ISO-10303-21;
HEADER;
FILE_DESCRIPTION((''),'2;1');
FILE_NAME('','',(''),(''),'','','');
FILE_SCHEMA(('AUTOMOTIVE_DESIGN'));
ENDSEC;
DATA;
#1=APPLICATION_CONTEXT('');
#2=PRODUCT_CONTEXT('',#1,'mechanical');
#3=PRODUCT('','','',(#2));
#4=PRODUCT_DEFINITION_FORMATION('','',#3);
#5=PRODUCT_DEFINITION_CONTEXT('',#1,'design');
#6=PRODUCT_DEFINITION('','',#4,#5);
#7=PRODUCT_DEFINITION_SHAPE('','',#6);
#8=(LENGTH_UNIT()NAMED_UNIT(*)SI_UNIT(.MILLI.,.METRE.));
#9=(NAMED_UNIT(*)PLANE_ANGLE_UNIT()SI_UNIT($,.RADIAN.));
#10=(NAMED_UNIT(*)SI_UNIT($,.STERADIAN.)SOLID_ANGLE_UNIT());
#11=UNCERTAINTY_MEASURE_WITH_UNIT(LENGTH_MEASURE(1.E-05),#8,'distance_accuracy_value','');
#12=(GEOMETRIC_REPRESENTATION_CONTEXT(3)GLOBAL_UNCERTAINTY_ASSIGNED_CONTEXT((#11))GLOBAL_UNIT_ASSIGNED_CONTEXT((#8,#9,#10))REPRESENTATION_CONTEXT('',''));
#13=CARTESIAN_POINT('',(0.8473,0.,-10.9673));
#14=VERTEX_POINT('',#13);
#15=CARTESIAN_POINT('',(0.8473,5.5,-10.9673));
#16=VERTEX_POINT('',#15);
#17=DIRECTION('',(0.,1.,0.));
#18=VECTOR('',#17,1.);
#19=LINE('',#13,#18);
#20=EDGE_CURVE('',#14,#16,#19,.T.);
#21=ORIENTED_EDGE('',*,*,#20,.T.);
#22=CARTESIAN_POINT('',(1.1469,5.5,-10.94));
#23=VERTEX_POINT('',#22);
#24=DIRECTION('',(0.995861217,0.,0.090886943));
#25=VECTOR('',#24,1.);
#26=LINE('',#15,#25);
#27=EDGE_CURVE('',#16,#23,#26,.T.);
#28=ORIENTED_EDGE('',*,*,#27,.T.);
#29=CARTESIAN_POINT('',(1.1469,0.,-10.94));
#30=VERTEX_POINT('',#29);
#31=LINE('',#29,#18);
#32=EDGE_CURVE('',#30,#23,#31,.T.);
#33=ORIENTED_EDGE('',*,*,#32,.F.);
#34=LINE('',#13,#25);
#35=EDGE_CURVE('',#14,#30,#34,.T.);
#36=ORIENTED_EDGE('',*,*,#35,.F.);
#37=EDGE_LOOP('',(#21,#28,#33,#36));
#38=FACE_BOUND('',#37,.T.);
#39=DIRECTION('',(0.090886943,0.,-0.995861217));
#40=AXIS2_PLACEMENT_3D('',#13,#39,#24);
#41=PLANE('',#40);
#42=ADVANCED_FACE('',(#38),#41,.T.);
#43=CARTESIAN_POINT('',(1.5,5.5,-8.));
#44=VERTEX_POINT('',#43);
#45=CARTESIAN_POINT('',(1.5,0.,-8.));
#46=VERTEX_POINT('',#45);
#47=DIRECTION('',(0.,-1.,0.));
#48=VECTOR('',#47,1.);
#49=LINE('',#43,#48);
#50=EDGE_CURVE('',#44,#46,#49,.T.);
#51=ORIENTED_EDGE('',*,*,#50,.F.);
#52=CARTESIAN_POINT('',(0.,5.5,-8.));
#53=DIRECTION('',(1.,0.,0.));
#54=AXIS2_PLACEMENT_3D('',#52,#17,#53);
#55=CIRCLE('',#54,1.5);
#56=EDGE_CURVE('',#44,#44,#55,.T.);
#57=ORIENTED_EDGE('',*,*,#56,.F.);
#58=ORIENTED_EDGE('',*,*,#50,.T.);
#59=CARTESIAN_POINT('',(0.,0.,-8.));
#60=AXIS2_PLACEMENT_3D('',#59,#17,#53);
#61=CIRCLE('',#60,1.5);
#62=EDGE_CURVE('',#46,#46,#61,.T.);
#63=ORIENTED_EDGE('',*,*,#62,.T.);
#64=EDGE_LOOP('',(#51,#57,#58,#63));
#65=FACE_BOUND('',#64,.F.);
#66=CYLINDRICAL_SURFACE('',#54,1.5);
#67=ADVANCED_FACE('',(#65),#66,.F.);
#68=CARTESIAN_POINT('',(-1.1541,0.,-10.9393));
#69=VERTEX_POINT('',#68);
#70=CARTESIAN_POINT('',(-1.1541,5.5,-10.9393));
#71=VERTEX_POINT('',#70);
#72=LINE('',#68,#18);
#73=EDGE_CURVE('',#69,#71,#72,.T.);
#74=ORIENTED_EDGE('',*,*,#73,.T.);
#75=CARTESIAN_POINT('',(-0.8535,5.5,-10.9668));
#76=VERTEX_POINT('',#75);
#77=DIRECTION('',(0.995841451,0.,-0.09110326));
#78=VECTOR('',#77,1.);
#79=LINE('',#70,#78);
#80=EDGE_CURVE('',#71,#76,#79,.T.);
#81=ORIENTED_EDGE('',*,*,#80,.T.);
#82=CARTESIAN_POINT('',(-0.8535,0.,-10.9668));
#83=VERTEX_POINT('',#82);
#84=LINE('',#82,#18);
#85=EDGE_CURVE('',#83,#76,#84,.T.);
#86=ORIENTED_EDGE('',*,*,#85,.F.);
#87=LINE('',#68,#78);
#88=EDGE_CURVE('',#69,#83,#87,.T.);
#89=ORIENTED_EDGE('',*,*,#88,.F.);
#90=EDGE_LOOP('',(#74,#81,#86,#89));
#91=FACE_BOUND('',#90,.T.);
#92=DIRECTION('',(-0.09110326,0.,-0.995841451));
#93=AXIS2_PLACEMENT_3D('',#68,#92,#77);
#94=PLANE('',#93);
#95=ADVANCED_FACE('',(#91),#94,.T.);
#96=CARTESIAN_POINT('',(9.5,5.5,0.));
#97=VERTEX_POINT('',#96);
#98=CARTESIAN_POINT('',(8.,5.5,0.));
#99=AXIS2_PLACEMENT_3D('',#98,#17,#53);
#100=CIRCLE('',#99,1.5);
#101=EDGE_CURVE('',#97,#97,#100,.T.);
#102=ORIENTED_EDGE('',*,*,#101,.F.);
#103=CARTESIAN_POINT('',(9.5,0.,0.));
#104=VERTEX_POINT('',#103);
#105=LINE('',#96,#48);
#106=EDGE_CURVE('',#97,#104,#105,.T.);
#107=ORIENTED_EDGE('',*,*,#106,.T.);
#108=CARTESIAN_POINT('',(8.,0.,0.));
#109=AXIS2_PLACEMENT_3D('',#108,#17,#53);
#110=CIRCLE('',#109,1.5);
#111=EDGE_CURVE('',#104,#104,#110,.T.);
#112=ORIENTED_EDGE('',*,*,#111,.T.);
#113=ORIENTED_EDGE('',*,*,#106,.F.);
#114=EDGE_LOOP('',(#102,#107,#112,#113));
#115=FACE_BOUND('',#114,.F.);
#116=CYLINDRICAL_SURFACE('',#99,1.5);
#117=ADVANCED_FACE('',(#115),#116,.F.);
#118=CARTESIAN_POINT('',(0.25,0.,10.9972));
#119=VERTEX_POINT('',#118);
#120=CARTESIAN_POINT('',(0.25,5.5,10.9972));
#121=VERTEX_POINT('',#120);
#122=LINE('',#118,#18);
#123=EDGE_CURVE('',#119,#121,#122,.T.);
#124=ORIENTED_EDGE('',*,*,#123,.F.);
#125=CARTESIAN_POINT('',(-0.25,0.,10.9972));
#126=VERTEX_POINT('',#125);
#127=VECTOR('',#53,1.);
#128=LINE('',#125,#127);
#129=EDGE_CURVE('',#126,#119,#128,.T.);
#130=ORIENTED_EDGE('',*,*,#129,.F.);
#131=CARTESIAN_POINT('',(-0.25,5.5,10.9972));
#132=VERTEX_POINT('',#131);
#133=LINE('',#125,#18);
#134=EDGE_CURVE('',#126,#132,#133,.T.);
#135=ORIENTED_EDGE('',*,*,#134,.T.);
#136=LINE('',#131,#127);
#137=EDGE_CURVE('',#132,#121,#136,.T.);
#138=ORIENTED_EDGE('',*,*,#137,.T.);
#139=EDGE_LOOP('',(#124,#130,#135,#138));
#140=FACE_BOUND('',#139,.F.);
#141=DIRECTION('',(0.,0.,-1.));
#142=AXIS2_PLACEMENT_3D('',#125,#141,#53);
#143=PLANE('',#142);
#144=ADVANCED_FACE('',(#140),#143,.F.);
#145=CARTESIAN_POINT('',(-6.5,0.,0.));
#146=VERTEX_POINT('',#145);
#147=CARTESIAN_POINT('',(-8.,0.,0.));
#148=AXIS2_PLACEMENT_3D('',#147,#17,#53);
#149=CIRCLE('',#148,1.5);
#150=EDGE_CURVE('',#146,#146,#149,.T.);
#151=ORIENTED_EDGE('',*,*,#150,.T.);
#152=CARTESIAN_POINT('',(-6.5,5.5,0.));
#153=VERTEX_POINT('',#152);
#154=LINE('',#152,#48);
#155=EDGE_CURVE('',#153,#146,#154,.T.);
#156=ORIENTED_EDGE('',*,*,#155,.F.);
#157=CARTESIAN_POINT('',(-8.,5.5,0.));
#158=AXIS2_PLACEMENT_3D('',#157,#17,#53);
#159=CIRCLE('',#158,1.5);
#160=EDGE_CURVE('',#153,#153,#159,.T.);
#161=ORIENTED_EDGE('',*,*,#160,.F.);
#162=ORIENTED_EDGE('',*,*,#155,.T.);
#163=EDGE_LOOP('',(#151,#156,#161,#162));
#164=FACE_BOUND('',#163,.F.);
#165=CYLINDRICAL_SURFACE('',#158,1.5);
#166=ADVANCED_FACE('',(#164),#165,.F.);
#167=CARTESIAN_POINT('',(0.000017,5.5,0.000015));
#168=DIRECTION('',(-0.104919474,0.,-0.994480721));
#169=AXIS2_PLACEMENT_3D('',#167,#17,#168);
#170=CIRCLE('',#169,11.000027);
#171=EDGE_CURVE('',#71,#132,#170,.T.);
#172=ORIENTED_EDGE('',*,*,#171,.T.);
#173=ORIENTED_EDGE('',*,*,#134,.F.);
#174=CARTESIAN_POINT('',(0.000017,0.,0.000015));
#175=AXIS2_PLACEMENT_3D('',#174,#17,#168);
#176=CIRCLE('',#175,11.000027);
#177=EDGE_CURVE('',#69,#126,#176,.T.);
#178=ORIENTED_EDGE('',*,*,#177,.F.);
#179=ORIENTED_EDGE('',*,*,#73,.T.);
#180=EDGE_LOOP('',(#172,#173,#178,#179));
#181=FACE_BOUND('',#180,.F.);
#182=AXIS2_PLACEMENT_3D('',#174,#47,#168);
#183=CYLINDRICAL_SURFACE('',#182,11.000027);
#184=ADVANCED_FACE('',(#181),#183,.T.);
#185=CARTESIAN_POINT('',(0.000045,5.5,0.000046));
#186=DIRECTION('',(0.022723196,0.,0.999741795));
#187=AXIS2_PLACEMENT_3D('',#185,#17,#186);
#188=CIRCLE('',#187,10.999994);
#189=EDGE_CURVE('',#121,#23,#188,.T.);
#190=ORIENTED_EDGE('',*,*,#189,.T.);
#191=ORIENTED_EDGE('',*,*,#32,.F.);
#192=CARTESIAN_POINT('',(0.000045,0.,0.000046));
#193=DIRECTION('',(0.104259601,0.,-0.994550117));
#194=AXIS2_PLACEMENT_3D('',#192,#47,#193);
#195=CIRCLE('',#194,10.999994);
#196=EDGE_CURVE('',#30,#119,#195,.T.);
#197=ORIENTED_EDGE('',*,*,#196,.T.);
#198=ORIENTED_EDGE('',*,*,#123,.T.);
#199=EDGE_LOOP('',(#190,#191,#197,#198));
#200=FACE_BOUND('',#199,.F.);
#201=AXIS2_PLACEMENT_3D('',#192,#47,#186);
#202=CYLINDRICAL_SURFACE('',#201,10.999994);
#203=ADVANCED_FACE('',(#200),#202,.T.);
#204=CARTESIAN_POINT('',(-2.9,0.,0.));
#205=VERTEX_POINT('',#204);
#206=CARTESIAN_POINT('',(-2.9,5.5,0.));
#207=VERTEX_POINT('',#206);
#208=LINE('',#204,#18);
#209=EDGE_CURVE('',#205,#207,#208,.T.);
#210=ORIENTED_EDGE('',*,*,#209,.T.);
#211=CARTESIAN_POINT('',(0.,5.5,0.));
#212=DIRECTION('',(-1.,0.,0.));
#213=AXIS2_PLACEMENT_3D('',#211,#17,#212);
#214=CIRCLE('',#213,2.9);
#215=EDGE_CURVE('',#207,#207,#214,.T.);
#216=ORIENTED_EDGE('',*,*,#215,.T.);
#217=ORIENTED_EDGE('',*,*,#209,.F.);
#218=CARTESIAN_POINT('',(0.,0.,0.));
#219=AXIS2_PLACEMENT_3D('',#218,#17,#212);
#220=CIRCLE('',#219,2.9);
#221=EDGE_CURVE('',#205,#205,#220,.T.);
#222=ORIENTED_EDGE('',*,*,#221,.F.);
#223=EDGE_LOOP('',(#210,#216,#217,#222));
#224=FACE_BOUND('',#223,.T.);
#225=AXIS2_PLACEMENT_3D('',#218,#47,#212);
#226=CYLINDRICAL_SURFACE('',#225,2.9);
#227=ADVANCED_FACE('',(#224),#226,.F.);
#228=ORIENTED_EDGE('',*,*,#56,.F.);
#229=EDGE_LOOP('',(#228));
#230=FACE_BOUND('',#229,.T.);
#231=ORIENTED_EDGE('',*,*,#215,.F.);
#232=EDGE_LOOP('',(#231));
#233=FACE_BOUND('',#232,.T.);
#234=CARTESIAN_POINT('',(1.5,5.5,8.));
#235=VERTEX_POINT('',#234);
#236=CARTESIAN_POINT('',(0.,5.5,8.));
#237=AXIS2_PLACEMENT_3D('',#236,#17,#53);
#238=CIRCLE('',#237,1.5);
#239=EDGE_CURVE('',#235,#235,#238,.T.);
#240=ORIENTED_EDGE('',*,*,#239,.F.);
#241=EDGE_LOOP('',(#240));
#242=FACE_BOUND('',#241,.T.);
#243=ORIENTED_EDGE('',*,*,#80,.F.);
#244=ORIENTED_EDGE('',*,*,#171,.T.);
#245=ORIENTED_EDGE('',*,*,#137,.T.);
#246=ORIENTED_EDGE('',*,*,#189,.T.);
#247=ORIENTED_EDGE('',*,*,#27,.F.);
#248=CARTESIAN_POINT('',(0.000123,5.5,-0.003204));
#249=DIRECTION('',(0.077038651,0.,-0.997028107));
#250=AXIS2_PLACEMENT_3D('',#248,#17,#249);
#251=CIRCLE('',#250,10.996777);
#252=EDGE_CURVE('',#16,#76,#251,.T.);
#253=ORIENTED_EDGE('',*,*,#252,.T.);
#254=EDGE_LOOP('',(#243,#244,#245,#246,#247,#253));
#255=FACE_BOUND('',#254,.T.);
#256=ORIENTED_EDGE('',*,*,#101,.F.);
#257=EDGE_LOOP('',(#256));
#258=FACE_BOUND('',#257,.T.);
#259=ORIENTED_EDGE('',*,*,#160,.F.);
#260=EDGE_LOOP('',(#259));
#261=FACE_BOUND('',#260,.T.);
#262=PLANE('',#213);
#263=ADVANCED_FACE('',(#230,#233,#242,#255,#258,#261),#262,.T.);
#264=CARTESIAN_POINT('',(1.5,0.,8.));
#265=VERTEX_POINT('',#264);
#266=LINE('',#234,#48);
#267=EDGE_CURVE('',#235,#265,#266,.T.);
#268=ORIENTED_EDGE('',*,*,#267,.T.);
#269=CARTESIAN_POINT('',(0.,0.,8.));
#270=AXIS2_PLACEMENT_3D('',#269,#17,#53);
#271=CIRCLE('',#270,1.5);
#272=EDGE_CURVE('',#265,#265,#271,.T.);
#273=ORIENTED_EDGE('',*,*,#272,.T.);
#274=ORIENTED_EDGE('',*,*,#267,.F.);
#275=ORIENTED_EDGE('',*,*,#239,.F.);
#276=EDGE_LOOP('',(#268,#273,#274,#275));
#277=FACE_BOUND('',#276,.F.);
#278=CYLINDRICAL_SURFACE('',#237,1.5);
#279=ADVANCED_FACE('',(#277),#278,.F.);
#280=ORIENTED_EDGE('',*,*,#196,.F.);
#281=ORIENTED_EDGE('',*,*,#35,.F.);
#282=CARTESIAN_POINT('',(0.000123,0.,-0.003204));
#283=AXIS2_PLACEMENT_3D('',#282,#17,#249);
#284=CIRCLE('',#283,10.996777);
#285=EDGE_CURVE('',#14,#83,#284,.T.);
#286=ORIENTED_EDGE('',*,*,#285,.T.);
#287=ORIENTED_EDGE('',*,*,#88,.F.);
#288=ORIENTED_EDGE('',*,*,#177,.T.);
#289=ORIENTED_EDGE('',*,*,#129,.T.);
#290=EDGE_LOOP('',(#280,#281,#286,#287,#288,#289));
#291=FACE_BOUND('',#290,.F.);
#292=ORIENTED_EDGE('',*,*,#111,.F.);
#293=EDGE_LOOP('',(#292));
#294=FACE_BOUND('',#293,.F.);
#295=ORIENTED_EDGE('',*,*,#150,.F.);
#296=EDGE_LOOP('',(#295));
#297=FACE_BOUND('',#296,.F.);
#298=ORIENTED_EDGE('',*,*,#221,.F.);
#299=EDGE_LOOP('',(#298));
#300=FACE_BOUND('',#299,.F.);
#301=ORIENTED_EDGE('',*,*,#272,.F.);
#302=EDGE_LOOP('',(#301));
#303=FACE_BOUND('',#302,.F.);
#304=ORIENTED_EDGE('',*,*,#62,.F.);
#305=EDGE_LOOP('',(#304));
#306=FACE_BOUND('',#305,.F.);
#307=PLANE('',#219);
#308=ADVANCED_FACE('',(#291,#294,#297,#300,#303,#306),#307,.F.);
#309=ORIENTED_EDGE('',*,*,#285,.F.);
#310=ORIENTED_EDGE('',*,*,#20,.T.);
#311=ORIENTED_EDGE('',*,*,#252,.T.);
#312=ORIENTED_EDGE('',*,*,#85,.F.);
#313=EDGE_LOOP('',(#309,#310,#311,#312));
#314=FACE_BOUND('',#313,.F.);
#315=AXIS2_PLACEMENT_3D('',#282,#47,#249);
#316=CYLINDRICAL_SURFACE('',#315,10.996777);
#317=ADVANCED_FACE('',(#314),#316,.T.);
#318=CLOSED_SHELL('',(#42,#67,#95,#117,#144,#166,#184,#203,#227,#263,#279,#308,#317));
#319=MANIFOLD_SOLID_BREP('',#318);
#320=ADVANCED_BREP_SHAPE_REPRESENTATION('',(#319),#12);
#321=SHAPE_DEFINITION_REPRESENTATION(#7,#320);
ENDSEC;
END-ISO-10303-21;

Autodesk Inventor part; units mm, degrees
ref_plane "YZ Plane" through (0, 0, 0) normal (1, 0, 0) x (0, 1, 0)
ref_plane "XZ Plane" through (0, 0, 0) normal (0, 1, 0) x (-1, 0, 0)
ref_plane "XY Plane" through (0, 0, 0) normal (0, 0, 1) x (1, 0, 0)
sketch "Эскиз1" plane through (0, 0, 0) normal (0, 1, 0) x (-1, 0, 0)
  arc A0 (-0.25, 9.2247) -> (0.25, 9.2247) centre (0, 8) ccw
  line L0 (-0.25, 10.9972) -> (-0.25, 9.2247)
  arc A1 (-0.25, 10.9972) -> (-1.1469, -10.94) centre (0, 0) ccw
  line L1 (-1.1469, -10.6297) -> (-1.1469, -10.94)
  line L2 (-0.8473, -10.6297) -> (-1.1469, -10.6297)
  line L3 (-0.8473, -10.9673) -> (-0.8473, -10.6297)
  arc A2 (-0.8473, -10.9673) -> (0.8535, -10.9668) centre (0, 0) ccw
  line L4 (0.8535, -10.6297) -> (0.8535, -10.9668)
  line L5 (1.1541, -10.6297) -> (0.8535, -10.6297)
  line L6 (1.1541, -10.9393) -> (1.1541, -10.6297)
  arc A3 (1.1541, -10.9393) -> (0.25, 10.9972) centre (0, 0) ccw
  line L7 (0.25, 9.2247) -> (0.25, 10.9972)
  circle A4 centre (8, 0) radius 1.25
  circle A5 centre (0, -8) radius 1.25
  circle A6 centre (-8, 0) radius 1.25
  circle A7 centre (0, -5.5) radius 0.75
  circle A8 centre (4.7631, 2.75) radius 0.75
  circle A9 centre (-4.7631, 2.75) radius 0.75
  circle A10 centre (0, 0) radius 2.9
  arc A11 (0.25, 9.2247) -> (-0.25, 9.2247) centre (0, 8) ccw
  line L8 (0.25, 10.9972) -> (-0.25, 10.9972)
  line L9 (1.1541, -10.9393) -> (0.8535, -10.9668)
  line L10 (-0.8473, -10.9673) -> (-1.1541, -10.9393)
extrude "Выдавливание1" add sketch "Эскиз1" along normal blind 5.5 contours A0 L7 A3 L6 L5 L4 A2 L3 L2 L1 A1 L0 | L0 L8 L7 A11 | L9 L4 L5 L6 | L1 L2 L3 L10 | A7 | A8 | A9
sketch "Эскиз2" plane through (0, 5.5, 0) normal (0, 1, 0) x (1, 0, 0)
  circle A0 centre (0, -8) radius 1.25 projected
  circle A1 centre (0, -8) radius 1.5
  circle A2 centre (-8, 0) radius 1.25 projected
  circle A3 centre (-8, 0) radius 1.5
  circle A4 centre (0, 8) radius 1.25 projected
  circle A5 centre (0, 8) radius 1.5
  circle A6 centre (8, 0) radius 1.25 projected
  circle A7 centre (8, 0) radius 1.5
  point P0 (0, 0)
  dimension "d2" = 3
  dimension "d3" = 3
  dimension "d4" = 3
  dimension "d5" = 3
extrude "Выдавливание2" cut sketch "Эскиз2" against normal blind 10 contours A0 | A1 | A2 | A3 | A4 | A5 | A6 | A7
properties part number "Проставка 5 мм"
